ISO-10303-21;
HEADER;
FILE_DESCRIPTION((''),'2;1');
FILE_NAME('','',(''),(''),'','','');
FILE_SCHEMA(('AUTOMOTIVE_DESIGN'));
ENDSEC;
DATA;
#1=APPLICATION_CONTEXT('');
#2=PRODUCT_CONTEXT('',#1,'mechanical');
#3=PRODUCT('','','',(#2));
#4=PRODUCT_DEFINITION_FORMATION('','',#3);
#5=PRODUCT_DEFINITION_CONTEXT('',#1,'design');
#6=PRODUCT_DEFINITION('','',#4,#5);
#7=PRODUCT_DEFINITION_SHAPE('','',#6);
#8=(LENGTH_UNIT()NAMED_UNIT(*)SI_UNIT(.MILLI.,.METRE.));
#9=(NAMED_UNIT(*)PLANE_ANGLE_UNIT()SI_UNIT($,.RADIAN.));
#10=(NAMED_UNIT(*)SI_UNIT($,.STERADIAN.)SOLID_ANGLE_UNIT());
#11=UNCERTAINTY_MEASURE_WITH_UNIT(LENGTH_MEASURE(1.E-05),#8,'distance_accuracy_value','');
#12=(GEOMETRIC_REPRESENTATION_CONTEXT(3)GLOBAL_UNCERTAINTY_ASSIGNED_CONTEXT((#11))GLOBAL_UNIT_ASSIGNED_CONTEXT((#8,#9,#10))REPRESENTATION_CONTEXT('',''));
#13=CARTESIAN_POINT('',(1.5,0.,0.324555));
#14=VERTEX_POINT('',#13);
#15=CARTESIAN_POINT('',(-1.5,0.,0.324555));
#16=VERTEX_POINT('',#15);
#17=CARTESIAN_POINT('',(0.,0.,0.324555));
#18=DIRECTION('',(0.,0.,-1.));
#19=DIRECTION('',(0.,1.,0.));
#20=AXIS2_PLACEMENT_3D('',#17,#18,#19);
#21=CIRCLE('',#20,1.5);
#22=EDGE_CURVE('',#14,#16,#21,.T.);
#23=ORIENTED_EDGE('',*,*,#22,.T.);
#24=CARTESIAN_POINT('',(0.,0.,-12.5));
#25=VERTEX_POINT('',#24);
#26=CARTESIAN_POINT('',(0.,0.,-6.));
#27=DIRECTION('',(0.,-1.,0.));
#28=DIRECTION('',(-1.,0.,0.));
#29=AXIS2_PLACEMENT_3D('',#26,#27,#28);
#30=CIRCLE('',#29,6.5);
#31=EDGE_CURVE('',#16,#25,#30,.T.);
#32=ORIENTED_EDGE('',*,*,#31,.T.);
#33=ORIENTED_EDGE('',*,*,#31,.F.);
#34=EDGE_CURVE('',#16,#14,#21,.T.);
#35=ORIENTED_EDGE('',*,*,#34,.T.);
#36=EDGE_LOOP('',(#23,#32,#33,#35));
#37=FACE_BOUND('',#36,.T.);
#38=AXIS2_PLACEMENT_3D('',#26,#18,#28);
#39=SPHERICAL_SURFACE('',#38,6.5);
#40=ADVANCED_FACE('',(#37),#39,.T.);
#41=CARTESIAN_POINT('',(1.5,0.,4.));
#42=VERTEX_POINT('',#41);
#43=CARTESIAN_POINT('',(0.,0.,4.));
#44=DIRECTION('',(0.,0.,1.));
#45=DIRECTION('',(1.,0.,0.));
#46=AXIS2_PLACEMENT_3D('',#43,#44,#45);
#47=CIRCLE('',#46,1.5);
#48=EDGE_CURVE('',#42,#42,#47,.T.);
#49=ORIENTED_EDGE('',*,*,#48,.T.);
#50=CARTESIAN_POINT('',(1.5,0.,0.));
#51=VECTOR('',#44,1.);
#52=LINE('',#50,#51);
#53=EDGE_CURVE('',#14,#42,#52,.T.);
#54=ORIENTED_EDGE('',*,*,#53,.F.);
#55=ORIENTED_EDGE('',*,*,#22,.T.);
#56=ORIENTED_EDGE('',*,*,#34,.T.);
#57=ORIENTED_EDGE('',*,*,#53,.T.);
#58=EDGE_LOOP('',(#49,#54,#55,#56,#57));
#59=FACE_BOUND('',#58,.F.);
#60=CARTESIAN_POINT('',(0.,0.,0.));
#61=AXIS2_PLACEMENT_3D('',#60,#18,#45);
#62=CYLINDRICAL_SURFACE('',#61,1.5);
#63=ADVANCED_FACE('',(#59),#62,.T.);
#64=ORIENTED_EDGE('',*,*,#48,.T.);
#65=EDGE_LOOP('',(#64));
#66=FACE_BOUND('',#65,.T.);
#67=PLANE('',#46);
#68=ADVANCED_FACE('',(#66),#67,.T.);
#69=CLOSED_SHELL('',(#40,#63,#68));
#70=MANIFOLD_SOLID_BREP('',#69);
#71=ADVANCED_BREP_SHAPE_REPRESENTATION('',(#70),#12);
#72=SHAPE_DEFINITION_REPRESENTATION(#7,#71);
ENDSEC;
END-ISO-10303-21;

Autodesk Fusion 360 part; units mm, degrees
sketch "Sketch1" plane through (0, 0, 0) normal (0, 0, 1) x (1, 0, 0)
  circle A0 centre (0, 0) radius 1.5
  dimension "d1" = 3
extrude "Extrude1" add sketch "Sketch1" along normal blind 4
ref_plane "WorkPlane1" through (0, 0, 1) normal (0, 0, -1) x (-1, 0, 0)
ref_plane "WorkPlane2" through (0, 0, -6) normal (0, 0, -1) x (-1, 0, 0)
sketch "Sketch2" plane through (0, 0, -6) normal (0, 0, -1) x (-1, 0, 0)
  circle A0 centre (0, 0) radius 1.5
sphere "SpherePrimitive1" add diameter 13 placed x (-1, 0, 0) y (0, 1, 0) z (0, 0, -1) at (0, 0, -6)
